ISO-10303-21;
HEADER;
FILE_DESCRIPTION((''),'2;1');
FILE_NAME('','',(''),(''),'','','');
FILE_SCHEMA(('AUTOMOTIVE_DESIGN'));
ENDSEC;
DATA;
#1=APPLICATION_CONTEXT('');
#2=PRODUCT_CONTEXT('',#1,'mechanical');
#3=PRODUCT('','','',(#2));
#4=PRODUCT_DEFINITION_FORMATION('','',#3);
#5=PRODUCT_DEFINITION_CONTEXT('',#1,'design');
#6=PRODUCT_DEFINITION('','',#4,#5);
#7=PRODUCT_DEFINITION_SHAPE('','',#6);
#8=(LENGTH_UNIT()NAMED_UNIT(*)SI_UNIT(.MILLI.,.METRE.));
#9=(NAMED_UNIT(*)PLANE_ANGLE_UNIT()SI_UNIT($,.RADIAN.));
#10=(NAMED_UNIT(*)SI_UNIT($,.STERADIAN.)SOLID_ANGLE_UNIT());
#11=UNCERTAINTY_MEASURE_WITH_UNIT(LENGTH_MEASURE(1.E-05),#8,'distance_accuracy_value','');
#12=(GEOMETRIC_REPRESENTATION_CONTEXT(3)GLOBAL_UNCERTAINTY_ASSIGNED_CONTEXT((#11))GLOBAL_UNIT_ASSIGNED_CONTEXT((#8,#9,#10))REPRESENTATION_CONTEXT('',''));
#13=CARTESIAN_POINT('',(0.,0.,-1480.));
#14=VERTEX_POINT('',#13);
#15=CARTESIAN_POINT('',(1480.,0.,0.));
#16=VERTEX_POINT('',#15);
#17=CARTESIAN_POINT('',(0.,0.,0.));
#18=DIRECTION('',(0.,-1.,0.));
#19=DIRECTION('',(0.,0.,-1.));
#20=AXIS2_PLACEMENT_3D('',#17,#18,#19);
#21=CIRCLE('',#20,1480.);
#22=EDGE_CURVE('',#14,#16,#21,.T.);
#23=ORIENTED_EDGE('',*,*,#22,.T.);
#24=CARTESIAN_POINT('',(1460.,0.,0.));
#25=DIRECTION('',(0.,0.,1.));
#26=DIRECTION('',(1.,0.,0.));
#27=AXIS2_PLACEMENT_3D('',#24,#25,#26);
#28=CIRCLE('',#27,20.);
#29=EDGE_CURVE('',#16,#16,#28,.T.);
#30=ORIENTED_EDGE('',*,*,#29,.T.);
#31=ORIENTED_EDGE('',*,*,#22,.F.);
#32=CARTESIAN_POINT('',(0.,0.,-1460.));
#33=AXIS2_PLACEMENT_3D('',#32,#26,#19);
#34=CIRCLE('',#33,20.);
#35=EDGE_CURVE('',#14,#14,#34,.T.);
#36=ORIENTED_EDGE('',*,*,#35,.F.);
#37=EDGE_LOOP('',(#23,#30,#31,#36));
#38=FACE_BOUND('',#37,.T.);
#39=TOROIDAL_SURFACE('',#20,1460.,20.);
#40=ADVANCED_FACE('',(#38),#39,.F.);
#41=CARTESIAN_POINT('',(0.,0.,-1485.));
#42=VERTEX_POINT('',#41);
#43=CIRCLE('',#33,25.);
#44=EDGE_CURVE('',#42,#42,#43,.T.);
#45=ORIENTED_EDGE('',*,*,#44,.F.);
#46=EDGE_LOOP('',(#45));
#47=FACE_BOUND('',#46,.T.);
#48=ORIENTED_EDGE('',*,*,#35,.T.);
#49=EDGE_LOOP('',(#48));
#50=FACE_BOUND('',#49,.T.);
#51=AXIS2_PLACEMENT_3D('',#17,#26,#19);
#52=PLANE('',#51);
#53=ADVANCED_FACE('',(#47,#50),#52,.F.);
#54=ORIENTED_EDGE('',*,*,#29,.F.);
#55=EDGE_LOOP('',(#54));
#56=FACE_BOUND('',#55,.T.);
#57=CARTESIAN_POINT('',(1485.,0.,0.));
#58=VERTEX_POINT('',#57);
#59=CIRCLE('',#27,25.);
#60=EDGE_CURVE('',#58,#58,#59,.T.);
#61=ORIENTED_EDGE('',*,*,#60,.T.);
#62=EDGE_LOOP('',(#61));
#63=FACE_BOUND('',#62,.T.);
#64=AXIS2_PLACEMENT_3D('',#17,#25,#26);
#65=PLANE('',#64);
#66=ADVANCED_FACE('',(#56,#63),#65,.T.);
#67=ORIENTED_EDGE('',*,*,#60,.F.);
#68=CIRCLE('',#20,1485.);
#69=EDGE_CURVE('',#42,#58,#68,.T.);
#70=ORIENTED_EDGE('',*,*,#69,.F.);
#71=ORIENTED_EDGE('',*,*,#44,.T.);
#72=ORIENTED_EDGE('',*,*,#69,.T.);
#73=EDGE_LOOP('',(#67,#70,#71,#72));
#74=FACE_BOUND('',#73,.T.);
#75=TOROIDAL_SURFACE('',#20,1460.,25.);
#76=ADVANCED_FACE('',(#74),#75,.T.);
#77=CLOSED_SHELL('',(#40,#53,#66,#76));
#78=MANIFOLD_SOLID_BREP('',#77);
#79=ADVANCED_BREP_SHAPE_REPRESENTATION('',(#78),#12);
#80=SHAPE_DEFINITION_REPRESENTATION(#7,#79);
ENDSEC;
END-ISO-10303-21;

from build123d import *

# Parameters (mm, degrees)
SKETCH1_R      = 25
SKETCH1_R_2    = 20
REVOLVE1_ANGLE = 90


with BuildPart() as part:
    # Sketch1 → Revolve1 (revolve)
    with BuildSketch(Plane.XY):
        with Locations((1460, 0)):
            Circle(SKETCH1_R)
        with Locations((1460, 0)):
            Circle(SKETCH1_R_2, mode=Mode.SUBTRACT)
    revolve(axis=Axis((0, 0, 0), (0, 1, 0)), revolution_arc=REVOLVE1_ANGLE)


solid = part.part
